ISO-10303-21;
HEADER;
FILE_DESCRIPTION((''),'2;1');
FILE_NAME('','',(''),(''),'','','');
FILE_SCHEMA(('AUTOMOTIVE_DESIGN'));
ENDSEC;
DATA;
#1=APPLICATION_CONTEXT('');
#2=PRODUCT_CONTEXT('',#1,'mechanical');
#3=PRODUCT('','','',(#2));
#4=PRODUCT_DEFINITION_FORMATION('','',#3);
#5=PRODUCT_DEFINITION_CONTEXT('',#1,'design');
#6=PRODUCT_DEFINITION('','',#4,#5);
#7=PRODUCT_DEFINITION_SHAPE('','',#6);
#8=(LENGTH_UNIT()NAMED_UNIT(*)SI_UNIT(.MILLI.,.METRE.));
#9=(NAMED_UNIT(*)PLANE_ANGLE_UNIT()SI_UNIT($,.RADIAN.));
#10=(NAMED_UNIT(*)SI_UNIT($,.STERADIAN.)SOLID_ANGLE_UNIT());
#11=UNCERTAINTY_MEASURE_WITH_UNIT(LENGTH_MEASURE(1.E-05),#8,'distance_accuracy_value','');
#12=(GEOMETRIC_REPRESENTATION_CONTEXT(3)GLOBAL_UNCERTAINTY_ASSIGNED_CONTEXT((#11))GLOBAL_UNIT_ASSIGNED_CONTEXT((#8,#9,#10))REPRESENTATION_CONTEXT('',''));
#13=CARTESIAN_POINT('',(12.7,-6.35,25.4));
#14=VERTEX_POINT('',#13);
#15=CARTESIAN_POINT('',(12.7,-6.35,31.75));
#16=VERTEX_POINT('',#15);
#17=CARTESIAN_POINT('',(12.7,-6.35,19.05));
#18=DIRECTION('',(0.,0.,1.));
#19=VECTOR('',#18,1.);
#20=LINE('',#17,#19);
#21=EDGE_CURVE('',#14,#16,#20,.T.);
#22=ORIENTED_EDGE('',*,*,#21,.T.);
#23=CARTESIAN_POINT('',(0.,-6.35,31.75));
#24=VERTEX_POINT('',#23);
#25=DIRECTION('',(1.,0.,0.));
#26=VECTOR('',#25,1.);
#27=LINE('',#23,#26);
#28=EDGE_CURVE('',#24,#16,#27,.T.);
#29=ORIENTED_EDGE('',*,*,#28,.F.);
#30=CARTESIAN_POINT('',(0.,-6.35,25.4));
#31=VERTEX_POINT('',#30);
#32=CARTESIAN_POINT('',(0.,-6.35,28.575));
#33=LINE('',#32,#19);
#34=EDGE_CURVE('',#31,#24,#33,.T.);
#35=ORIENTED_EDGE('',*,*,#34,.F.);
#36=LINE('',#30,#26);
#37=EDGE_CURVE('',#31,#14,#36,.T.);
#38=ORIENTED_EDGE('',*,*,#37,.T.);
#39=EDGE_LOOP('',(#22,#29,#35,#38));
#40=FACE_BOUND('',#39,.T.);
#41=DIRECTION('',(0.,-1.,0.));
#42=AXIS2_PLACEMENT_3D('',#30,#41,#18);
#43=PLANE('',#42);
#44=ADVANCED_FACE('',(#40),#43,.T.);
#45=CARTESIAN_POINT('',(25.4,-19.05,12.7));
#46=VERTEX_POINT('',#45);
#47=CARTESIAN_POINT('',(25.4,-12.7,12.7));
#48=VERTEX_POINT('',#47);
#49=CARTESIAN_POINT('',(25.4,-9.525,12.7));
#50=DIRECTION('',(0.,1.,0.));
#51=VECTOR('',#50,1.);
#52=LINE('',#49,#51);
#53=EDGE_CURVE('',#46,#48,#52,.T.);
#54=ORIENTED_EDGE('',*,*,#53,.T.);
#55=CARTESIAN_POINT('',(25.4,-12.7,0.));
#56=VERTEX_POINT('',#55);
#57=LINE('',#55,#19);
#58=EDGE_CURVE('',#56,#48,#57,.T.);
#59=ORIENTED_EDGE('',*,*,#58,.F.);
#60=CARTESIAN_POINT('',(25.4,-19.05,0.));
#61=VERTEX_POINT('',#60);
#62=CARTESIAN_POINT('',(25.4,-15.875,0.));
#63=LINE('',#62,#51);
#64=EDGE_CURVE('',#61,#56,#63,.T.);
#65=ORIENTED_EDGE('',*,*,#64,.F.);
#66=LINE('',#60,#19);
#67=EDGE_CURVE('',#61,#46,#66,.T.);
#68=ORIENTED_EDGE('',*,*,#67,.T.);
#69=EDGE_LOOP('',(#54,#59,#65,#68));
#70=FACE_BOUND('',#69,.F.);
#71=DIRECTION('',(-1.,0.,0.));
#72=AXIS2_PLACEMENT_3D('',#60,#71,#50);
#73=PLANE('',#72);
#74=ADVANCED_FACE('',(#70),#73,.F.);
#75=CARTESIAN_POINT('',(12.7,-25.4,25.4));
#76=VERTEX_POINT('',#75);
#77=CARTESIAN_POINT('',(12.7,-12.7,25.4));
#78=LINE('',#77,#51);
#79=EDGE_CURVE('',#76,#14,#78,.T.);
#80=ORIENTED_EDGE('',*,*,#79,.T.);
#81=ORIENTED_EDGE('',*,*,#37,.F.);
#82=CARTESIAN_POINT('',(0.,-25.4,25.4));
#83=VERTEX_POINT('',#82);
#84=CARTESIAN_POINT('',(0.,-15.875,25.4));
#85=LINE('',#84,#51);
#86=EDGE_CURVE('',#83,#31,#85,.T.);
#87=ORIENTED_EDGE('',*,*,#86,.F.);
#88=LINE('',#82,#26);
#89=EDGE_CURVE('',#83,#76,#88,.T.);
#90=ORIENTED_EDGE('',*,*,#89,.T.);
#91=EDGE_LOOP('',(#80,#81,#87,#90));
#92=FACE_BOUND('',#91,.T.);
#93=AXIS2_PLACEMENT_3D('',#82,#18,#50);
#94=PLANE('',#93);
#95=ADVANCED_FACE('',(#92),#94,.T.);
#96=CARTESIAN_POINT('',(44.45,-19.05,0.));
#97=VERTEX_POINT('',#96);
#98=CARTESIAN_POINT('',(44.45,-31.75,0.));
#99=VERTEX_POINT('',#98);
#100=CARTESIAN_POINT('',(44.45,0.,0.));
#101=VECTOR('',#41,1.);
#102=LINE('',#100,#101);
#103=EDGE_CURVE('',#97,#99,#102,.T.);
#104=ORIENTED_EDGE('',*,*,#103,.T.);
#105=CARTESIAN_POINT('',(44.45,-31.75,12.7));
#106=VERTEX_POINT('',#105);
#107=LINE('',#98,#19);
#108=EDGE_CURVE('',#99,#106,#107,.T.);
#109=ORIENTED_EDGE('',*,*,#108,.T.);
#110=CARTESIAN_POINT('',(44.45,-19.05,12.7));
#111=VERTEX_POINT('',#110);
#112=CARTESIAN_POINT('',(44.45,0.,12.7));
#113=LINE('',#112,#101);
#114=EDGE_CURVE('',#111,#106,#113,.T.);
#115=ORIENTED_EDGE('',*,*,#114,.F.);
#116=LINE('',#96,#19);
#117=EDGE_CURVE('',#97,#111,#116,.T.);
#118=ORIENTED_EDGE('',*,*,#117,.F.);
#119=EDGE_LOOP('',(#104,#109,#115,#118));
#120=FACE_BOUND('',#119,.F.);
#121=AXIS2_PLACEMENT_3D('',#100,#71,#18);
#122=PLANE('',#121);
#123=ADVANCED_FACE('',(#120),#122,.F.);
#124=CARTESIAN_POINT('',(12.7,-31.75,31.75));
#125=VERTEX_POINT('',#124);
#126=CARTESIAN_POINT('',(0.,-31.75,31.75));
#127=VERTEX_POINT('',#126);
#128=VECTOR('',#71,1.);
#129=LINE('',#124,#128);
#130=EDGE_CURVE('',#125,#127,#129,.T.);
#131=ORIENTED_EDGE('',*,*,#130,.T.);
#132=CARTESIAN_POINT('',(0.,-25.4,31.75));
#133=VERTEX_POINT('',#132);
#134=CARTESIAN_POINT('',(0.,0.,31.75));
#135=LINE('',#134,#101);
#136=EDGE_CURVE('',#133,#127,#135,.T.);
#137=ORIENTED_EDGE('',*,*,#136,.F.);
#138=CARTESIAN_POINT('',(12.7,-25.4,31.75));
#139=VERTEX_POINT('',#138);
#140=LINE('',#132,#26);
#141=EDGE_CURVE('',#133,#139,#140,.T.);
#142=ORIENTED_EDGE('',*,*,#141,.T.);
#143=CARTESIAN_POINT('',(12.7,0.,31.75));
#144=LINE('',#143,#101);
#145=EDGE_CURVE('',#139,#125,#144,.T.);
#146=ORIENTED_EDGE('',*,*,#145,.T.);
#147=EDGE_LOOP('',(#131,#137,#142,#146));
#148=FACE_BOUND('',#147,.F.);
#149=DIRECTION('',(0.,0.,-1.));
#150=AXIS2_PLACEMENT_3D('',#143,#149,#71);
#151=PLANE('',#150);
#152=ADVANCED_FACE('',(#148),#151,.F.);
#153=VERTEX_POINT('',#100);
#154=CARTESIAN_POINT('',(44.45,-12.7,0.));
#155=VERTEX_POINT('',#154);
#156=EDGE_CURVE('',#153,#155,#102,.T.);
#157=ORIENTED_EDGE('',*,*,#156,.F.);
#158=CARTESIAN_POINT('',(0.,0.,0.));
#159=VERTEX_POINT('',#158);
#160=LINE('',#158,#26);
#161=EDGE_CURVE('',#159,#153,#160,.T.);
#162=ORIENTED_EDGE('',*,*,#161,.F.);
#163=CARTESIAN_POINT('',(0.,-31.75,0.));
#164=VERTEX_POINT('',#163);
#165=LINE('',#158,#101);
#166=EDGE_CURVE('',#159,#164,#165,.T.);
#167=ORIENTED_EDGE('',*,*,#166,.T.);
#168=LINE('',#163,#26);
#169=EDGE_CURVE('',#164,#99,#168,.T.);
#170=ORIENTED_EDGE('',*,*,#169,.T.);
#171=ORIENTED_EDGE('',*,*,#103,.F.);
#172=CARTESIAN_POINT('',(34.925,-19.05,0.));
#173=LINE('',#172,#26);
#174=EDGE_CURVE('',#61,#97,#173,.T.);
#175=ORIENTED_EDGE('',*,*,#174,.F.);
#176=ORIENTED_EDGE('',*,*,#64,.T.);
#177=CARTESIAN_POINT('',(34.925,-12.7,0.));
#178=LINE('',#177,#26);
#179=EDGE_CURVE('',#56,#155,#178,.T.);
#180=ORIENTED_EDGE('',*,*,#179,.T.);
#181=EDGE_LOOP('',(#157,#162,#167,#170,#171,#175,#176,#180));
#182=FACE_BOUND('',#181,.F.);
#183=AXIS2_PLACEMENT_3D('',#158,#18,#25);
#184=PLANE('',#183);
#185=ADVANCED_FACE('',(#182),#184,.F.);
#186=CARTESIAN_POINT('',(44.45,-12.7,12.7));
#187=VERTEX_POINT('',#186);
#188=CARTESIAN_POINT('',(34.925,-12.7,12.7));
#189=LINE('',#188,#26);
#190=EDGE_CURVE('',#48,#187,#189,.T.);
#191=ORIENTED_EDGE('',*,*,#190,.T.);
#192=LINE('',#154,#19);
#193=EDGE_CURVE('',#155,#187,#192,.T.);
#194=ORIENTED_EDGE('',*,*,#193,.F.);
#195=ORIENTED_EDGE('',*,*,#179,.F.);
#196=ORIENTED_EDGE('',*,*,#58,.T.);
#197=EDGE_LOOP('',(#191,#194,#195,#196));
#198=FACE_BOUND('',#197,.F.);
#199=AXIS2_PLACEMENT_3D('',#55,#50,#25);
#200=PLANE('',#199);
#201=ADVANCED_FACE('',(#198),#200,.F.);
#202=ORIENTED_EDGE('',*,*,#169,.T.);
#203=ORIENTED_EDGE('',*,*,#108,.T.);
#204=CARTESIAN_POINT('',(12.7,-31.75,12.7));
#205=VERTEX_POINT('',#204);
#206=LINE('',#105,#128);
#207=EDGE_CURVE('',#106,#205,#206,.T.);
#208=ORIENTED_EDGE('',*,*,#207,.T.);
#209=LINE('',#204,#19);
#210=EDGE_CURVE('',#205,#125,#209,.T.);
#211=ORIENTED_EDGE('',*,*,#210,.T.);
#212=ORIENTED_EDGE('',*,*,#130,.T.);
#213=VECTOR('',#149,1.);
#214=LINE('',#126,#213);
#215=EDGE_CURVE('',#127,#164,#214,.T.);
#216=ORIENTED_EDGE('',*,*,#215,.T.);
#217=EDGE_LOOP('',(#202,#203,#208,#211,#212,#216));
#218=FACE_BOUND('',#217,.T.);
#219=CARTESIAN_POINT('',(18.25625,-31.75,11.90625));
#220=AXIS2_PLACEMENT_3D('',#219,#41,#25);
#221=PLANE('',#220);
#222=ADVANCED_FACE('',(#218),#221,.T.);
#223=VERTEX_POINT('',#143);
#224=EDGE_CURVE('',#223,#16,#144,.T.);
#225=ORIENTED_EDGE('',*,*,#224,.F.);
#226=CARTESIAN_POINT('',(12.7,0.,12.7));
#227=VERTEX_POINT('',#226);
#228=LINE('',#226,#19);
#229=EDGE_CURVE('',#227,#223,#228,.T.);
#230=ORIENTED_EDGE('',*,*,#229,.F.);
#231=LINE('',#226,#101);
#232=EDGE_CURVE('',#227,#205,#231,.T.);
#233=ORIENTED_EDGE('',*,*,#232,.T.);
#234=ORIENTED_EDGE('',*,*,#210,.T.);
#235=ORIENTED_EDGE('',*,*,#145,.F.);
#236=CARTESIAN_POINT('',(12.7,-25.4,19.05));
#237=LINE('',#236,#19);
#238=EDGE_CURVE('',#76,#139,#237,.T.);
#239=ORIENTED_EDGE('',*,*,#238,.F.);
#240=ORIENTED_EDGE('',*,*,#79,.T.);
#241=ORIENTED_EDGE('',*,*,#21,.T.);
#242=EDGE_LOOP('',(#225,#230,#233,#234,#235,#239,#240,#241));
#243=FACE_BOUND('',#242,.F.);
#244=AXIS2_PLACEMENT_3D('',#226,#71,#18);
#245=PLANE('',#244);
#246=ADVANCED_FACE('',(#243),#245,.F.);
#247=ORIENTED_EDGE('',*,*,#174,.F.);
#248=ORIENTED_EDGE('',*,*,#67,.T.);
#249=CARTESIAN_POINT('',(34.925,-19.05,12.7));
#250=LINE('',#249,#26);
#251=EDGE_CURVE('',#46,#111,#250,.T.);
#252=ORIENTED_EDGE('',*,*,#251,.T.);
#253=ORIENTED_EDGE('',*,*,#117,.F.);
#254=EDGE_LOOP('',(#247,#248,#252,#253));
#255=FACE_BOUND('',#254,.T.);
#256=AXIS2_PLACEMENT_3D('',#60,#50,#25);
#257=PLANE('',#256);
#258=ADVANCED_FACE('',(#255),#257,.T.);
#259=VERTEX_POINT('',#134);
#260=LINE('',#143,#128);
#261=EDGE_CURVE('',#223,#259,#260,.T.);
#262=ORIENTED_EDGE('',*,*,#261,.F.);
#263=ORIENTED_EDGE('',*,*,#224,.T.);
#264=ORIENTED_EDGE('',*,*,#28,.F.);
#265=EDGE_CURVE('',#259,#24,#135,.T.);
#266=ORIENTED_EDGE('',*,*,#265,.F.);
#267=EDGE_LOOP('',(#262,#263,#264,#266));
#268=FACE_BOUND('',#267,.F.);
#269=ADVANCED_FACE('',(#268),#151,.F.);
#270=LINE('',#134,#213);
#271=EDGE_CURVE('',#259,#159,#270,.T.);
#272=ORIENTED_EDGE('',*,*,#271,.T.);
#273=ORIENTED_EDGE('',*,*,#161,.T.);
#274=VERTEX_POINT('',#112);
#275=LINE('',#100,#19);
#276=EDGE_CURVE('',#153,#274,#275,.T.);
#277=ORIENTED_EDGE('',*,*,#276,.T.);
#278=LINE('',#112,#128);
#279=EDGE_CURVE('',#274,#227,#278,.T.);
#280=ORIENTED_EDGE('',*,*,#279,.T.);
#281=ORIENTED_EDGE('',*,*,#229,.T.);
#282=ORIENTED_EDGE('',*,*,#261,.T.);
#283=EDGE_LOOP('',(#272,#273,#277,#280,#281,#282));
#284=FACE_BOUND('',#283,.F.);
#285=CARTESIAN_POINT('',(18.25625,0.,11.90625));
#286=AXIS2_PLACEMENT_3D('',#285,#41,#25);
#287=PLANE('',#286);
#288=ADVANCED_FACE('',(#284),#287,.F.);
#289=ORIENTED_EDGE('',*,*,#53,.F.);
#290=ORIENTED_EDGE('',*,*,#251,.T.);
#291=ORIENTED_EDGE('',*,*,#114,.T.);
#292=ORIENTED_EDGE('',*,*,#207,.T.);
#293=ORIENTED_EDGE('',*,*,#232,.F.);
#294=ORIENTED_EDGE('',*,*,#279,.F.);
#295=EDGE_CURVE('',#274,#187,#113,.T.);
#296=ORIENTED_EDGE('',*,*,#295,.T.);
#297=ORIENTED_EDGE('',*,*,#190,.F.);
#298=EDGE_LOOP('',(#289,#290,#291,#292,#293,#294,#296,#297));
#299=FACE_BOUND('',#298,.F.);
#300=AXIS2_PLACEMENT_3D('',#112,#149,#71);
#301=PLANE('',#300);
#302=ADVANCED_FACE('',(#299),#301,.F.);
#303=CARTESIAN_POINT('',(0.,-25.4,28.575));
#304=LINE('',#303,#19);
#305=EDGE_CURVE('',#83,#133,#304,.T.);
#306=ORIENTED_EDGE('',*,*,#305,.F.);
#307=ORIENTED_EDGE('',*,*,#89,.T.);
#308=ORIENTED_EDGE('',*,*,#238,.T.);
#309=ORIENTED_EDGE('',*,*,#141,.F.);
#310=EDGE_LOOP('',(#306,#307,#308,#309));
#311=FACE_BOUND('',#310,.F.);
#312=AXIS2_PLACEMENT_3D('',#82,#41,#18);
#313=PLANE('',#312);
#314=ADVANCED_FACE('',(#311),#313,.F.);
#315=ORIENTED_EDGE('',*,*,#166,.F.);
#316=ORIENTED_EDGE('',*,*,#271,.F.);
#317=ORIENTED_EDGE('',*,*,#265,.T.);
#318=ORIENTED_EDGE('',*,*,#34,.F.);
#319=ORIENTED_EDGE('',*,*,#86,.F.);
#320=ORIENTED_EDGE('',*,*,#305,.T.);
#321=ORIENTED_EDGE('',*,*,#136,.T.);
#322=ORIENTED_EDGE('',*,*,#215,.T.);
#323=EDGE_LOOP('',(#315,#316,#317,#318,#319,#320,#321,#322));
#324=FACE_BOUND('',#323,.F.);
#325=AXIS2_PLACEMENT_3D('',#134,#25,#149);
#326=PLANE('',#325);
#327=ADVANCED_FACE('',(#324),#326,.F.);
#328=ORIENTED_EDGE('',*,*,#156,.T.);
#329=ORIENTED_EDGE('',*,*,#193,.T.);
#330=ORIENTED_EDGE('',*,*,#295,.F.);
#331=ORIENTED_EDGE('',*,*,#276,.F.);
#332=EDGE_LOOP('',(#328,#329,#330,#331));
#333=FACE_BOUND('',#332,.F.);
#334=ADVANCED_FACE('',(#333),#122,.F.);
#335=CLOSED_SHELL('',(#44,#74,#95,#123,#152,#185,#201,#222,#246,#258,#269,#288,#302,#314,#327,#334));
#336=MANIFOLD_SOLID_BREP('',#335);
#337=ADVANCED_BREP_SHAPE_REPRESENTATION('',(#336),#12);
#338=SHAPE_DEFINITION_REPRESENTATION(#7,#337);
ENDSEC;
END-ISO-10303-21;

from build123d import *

# Parameters (mm, degrees)
F2_DEPTH = 31.75
F1_W     = 19.05
F1_H     = 6.35
F3_DEPTH = 27.686
F4_W     = 19.05
F4_H     = 6.35
F5_DEPTH = 72.3138


with BuildPart() as f2:
    # F0 (on Front) → F2 (new body)
    with BuildSketch(Plane.XZ):
        Polygon((0, 31.75), (0, 0), (44.45, 0), (44.45, 12.7), (12.7, 12.7), (12.7, 31.75), align=None)
    extrude(amount=F2_DEPTH)

    # F1 (on Right) → F3 (cut)
    with BuildSketch(Plane.YZ):
        with Locations((-15.875, 28.575)):
            Rectangle(F1_W, F1_H)
    extrude(amount=F3_DEPTH, mode=Mode.SUBTRACT)

    # F4 (on Top) → F5 (cut)
    with BuildSketch(Plane.XY):
        with Locations((34.925, -15.875)):
            Rectangle(F4_W, F4_H)
    extrude(amount=F5_DEPTH, mode=Mode.SUBTRACT)


solid = f2.part
